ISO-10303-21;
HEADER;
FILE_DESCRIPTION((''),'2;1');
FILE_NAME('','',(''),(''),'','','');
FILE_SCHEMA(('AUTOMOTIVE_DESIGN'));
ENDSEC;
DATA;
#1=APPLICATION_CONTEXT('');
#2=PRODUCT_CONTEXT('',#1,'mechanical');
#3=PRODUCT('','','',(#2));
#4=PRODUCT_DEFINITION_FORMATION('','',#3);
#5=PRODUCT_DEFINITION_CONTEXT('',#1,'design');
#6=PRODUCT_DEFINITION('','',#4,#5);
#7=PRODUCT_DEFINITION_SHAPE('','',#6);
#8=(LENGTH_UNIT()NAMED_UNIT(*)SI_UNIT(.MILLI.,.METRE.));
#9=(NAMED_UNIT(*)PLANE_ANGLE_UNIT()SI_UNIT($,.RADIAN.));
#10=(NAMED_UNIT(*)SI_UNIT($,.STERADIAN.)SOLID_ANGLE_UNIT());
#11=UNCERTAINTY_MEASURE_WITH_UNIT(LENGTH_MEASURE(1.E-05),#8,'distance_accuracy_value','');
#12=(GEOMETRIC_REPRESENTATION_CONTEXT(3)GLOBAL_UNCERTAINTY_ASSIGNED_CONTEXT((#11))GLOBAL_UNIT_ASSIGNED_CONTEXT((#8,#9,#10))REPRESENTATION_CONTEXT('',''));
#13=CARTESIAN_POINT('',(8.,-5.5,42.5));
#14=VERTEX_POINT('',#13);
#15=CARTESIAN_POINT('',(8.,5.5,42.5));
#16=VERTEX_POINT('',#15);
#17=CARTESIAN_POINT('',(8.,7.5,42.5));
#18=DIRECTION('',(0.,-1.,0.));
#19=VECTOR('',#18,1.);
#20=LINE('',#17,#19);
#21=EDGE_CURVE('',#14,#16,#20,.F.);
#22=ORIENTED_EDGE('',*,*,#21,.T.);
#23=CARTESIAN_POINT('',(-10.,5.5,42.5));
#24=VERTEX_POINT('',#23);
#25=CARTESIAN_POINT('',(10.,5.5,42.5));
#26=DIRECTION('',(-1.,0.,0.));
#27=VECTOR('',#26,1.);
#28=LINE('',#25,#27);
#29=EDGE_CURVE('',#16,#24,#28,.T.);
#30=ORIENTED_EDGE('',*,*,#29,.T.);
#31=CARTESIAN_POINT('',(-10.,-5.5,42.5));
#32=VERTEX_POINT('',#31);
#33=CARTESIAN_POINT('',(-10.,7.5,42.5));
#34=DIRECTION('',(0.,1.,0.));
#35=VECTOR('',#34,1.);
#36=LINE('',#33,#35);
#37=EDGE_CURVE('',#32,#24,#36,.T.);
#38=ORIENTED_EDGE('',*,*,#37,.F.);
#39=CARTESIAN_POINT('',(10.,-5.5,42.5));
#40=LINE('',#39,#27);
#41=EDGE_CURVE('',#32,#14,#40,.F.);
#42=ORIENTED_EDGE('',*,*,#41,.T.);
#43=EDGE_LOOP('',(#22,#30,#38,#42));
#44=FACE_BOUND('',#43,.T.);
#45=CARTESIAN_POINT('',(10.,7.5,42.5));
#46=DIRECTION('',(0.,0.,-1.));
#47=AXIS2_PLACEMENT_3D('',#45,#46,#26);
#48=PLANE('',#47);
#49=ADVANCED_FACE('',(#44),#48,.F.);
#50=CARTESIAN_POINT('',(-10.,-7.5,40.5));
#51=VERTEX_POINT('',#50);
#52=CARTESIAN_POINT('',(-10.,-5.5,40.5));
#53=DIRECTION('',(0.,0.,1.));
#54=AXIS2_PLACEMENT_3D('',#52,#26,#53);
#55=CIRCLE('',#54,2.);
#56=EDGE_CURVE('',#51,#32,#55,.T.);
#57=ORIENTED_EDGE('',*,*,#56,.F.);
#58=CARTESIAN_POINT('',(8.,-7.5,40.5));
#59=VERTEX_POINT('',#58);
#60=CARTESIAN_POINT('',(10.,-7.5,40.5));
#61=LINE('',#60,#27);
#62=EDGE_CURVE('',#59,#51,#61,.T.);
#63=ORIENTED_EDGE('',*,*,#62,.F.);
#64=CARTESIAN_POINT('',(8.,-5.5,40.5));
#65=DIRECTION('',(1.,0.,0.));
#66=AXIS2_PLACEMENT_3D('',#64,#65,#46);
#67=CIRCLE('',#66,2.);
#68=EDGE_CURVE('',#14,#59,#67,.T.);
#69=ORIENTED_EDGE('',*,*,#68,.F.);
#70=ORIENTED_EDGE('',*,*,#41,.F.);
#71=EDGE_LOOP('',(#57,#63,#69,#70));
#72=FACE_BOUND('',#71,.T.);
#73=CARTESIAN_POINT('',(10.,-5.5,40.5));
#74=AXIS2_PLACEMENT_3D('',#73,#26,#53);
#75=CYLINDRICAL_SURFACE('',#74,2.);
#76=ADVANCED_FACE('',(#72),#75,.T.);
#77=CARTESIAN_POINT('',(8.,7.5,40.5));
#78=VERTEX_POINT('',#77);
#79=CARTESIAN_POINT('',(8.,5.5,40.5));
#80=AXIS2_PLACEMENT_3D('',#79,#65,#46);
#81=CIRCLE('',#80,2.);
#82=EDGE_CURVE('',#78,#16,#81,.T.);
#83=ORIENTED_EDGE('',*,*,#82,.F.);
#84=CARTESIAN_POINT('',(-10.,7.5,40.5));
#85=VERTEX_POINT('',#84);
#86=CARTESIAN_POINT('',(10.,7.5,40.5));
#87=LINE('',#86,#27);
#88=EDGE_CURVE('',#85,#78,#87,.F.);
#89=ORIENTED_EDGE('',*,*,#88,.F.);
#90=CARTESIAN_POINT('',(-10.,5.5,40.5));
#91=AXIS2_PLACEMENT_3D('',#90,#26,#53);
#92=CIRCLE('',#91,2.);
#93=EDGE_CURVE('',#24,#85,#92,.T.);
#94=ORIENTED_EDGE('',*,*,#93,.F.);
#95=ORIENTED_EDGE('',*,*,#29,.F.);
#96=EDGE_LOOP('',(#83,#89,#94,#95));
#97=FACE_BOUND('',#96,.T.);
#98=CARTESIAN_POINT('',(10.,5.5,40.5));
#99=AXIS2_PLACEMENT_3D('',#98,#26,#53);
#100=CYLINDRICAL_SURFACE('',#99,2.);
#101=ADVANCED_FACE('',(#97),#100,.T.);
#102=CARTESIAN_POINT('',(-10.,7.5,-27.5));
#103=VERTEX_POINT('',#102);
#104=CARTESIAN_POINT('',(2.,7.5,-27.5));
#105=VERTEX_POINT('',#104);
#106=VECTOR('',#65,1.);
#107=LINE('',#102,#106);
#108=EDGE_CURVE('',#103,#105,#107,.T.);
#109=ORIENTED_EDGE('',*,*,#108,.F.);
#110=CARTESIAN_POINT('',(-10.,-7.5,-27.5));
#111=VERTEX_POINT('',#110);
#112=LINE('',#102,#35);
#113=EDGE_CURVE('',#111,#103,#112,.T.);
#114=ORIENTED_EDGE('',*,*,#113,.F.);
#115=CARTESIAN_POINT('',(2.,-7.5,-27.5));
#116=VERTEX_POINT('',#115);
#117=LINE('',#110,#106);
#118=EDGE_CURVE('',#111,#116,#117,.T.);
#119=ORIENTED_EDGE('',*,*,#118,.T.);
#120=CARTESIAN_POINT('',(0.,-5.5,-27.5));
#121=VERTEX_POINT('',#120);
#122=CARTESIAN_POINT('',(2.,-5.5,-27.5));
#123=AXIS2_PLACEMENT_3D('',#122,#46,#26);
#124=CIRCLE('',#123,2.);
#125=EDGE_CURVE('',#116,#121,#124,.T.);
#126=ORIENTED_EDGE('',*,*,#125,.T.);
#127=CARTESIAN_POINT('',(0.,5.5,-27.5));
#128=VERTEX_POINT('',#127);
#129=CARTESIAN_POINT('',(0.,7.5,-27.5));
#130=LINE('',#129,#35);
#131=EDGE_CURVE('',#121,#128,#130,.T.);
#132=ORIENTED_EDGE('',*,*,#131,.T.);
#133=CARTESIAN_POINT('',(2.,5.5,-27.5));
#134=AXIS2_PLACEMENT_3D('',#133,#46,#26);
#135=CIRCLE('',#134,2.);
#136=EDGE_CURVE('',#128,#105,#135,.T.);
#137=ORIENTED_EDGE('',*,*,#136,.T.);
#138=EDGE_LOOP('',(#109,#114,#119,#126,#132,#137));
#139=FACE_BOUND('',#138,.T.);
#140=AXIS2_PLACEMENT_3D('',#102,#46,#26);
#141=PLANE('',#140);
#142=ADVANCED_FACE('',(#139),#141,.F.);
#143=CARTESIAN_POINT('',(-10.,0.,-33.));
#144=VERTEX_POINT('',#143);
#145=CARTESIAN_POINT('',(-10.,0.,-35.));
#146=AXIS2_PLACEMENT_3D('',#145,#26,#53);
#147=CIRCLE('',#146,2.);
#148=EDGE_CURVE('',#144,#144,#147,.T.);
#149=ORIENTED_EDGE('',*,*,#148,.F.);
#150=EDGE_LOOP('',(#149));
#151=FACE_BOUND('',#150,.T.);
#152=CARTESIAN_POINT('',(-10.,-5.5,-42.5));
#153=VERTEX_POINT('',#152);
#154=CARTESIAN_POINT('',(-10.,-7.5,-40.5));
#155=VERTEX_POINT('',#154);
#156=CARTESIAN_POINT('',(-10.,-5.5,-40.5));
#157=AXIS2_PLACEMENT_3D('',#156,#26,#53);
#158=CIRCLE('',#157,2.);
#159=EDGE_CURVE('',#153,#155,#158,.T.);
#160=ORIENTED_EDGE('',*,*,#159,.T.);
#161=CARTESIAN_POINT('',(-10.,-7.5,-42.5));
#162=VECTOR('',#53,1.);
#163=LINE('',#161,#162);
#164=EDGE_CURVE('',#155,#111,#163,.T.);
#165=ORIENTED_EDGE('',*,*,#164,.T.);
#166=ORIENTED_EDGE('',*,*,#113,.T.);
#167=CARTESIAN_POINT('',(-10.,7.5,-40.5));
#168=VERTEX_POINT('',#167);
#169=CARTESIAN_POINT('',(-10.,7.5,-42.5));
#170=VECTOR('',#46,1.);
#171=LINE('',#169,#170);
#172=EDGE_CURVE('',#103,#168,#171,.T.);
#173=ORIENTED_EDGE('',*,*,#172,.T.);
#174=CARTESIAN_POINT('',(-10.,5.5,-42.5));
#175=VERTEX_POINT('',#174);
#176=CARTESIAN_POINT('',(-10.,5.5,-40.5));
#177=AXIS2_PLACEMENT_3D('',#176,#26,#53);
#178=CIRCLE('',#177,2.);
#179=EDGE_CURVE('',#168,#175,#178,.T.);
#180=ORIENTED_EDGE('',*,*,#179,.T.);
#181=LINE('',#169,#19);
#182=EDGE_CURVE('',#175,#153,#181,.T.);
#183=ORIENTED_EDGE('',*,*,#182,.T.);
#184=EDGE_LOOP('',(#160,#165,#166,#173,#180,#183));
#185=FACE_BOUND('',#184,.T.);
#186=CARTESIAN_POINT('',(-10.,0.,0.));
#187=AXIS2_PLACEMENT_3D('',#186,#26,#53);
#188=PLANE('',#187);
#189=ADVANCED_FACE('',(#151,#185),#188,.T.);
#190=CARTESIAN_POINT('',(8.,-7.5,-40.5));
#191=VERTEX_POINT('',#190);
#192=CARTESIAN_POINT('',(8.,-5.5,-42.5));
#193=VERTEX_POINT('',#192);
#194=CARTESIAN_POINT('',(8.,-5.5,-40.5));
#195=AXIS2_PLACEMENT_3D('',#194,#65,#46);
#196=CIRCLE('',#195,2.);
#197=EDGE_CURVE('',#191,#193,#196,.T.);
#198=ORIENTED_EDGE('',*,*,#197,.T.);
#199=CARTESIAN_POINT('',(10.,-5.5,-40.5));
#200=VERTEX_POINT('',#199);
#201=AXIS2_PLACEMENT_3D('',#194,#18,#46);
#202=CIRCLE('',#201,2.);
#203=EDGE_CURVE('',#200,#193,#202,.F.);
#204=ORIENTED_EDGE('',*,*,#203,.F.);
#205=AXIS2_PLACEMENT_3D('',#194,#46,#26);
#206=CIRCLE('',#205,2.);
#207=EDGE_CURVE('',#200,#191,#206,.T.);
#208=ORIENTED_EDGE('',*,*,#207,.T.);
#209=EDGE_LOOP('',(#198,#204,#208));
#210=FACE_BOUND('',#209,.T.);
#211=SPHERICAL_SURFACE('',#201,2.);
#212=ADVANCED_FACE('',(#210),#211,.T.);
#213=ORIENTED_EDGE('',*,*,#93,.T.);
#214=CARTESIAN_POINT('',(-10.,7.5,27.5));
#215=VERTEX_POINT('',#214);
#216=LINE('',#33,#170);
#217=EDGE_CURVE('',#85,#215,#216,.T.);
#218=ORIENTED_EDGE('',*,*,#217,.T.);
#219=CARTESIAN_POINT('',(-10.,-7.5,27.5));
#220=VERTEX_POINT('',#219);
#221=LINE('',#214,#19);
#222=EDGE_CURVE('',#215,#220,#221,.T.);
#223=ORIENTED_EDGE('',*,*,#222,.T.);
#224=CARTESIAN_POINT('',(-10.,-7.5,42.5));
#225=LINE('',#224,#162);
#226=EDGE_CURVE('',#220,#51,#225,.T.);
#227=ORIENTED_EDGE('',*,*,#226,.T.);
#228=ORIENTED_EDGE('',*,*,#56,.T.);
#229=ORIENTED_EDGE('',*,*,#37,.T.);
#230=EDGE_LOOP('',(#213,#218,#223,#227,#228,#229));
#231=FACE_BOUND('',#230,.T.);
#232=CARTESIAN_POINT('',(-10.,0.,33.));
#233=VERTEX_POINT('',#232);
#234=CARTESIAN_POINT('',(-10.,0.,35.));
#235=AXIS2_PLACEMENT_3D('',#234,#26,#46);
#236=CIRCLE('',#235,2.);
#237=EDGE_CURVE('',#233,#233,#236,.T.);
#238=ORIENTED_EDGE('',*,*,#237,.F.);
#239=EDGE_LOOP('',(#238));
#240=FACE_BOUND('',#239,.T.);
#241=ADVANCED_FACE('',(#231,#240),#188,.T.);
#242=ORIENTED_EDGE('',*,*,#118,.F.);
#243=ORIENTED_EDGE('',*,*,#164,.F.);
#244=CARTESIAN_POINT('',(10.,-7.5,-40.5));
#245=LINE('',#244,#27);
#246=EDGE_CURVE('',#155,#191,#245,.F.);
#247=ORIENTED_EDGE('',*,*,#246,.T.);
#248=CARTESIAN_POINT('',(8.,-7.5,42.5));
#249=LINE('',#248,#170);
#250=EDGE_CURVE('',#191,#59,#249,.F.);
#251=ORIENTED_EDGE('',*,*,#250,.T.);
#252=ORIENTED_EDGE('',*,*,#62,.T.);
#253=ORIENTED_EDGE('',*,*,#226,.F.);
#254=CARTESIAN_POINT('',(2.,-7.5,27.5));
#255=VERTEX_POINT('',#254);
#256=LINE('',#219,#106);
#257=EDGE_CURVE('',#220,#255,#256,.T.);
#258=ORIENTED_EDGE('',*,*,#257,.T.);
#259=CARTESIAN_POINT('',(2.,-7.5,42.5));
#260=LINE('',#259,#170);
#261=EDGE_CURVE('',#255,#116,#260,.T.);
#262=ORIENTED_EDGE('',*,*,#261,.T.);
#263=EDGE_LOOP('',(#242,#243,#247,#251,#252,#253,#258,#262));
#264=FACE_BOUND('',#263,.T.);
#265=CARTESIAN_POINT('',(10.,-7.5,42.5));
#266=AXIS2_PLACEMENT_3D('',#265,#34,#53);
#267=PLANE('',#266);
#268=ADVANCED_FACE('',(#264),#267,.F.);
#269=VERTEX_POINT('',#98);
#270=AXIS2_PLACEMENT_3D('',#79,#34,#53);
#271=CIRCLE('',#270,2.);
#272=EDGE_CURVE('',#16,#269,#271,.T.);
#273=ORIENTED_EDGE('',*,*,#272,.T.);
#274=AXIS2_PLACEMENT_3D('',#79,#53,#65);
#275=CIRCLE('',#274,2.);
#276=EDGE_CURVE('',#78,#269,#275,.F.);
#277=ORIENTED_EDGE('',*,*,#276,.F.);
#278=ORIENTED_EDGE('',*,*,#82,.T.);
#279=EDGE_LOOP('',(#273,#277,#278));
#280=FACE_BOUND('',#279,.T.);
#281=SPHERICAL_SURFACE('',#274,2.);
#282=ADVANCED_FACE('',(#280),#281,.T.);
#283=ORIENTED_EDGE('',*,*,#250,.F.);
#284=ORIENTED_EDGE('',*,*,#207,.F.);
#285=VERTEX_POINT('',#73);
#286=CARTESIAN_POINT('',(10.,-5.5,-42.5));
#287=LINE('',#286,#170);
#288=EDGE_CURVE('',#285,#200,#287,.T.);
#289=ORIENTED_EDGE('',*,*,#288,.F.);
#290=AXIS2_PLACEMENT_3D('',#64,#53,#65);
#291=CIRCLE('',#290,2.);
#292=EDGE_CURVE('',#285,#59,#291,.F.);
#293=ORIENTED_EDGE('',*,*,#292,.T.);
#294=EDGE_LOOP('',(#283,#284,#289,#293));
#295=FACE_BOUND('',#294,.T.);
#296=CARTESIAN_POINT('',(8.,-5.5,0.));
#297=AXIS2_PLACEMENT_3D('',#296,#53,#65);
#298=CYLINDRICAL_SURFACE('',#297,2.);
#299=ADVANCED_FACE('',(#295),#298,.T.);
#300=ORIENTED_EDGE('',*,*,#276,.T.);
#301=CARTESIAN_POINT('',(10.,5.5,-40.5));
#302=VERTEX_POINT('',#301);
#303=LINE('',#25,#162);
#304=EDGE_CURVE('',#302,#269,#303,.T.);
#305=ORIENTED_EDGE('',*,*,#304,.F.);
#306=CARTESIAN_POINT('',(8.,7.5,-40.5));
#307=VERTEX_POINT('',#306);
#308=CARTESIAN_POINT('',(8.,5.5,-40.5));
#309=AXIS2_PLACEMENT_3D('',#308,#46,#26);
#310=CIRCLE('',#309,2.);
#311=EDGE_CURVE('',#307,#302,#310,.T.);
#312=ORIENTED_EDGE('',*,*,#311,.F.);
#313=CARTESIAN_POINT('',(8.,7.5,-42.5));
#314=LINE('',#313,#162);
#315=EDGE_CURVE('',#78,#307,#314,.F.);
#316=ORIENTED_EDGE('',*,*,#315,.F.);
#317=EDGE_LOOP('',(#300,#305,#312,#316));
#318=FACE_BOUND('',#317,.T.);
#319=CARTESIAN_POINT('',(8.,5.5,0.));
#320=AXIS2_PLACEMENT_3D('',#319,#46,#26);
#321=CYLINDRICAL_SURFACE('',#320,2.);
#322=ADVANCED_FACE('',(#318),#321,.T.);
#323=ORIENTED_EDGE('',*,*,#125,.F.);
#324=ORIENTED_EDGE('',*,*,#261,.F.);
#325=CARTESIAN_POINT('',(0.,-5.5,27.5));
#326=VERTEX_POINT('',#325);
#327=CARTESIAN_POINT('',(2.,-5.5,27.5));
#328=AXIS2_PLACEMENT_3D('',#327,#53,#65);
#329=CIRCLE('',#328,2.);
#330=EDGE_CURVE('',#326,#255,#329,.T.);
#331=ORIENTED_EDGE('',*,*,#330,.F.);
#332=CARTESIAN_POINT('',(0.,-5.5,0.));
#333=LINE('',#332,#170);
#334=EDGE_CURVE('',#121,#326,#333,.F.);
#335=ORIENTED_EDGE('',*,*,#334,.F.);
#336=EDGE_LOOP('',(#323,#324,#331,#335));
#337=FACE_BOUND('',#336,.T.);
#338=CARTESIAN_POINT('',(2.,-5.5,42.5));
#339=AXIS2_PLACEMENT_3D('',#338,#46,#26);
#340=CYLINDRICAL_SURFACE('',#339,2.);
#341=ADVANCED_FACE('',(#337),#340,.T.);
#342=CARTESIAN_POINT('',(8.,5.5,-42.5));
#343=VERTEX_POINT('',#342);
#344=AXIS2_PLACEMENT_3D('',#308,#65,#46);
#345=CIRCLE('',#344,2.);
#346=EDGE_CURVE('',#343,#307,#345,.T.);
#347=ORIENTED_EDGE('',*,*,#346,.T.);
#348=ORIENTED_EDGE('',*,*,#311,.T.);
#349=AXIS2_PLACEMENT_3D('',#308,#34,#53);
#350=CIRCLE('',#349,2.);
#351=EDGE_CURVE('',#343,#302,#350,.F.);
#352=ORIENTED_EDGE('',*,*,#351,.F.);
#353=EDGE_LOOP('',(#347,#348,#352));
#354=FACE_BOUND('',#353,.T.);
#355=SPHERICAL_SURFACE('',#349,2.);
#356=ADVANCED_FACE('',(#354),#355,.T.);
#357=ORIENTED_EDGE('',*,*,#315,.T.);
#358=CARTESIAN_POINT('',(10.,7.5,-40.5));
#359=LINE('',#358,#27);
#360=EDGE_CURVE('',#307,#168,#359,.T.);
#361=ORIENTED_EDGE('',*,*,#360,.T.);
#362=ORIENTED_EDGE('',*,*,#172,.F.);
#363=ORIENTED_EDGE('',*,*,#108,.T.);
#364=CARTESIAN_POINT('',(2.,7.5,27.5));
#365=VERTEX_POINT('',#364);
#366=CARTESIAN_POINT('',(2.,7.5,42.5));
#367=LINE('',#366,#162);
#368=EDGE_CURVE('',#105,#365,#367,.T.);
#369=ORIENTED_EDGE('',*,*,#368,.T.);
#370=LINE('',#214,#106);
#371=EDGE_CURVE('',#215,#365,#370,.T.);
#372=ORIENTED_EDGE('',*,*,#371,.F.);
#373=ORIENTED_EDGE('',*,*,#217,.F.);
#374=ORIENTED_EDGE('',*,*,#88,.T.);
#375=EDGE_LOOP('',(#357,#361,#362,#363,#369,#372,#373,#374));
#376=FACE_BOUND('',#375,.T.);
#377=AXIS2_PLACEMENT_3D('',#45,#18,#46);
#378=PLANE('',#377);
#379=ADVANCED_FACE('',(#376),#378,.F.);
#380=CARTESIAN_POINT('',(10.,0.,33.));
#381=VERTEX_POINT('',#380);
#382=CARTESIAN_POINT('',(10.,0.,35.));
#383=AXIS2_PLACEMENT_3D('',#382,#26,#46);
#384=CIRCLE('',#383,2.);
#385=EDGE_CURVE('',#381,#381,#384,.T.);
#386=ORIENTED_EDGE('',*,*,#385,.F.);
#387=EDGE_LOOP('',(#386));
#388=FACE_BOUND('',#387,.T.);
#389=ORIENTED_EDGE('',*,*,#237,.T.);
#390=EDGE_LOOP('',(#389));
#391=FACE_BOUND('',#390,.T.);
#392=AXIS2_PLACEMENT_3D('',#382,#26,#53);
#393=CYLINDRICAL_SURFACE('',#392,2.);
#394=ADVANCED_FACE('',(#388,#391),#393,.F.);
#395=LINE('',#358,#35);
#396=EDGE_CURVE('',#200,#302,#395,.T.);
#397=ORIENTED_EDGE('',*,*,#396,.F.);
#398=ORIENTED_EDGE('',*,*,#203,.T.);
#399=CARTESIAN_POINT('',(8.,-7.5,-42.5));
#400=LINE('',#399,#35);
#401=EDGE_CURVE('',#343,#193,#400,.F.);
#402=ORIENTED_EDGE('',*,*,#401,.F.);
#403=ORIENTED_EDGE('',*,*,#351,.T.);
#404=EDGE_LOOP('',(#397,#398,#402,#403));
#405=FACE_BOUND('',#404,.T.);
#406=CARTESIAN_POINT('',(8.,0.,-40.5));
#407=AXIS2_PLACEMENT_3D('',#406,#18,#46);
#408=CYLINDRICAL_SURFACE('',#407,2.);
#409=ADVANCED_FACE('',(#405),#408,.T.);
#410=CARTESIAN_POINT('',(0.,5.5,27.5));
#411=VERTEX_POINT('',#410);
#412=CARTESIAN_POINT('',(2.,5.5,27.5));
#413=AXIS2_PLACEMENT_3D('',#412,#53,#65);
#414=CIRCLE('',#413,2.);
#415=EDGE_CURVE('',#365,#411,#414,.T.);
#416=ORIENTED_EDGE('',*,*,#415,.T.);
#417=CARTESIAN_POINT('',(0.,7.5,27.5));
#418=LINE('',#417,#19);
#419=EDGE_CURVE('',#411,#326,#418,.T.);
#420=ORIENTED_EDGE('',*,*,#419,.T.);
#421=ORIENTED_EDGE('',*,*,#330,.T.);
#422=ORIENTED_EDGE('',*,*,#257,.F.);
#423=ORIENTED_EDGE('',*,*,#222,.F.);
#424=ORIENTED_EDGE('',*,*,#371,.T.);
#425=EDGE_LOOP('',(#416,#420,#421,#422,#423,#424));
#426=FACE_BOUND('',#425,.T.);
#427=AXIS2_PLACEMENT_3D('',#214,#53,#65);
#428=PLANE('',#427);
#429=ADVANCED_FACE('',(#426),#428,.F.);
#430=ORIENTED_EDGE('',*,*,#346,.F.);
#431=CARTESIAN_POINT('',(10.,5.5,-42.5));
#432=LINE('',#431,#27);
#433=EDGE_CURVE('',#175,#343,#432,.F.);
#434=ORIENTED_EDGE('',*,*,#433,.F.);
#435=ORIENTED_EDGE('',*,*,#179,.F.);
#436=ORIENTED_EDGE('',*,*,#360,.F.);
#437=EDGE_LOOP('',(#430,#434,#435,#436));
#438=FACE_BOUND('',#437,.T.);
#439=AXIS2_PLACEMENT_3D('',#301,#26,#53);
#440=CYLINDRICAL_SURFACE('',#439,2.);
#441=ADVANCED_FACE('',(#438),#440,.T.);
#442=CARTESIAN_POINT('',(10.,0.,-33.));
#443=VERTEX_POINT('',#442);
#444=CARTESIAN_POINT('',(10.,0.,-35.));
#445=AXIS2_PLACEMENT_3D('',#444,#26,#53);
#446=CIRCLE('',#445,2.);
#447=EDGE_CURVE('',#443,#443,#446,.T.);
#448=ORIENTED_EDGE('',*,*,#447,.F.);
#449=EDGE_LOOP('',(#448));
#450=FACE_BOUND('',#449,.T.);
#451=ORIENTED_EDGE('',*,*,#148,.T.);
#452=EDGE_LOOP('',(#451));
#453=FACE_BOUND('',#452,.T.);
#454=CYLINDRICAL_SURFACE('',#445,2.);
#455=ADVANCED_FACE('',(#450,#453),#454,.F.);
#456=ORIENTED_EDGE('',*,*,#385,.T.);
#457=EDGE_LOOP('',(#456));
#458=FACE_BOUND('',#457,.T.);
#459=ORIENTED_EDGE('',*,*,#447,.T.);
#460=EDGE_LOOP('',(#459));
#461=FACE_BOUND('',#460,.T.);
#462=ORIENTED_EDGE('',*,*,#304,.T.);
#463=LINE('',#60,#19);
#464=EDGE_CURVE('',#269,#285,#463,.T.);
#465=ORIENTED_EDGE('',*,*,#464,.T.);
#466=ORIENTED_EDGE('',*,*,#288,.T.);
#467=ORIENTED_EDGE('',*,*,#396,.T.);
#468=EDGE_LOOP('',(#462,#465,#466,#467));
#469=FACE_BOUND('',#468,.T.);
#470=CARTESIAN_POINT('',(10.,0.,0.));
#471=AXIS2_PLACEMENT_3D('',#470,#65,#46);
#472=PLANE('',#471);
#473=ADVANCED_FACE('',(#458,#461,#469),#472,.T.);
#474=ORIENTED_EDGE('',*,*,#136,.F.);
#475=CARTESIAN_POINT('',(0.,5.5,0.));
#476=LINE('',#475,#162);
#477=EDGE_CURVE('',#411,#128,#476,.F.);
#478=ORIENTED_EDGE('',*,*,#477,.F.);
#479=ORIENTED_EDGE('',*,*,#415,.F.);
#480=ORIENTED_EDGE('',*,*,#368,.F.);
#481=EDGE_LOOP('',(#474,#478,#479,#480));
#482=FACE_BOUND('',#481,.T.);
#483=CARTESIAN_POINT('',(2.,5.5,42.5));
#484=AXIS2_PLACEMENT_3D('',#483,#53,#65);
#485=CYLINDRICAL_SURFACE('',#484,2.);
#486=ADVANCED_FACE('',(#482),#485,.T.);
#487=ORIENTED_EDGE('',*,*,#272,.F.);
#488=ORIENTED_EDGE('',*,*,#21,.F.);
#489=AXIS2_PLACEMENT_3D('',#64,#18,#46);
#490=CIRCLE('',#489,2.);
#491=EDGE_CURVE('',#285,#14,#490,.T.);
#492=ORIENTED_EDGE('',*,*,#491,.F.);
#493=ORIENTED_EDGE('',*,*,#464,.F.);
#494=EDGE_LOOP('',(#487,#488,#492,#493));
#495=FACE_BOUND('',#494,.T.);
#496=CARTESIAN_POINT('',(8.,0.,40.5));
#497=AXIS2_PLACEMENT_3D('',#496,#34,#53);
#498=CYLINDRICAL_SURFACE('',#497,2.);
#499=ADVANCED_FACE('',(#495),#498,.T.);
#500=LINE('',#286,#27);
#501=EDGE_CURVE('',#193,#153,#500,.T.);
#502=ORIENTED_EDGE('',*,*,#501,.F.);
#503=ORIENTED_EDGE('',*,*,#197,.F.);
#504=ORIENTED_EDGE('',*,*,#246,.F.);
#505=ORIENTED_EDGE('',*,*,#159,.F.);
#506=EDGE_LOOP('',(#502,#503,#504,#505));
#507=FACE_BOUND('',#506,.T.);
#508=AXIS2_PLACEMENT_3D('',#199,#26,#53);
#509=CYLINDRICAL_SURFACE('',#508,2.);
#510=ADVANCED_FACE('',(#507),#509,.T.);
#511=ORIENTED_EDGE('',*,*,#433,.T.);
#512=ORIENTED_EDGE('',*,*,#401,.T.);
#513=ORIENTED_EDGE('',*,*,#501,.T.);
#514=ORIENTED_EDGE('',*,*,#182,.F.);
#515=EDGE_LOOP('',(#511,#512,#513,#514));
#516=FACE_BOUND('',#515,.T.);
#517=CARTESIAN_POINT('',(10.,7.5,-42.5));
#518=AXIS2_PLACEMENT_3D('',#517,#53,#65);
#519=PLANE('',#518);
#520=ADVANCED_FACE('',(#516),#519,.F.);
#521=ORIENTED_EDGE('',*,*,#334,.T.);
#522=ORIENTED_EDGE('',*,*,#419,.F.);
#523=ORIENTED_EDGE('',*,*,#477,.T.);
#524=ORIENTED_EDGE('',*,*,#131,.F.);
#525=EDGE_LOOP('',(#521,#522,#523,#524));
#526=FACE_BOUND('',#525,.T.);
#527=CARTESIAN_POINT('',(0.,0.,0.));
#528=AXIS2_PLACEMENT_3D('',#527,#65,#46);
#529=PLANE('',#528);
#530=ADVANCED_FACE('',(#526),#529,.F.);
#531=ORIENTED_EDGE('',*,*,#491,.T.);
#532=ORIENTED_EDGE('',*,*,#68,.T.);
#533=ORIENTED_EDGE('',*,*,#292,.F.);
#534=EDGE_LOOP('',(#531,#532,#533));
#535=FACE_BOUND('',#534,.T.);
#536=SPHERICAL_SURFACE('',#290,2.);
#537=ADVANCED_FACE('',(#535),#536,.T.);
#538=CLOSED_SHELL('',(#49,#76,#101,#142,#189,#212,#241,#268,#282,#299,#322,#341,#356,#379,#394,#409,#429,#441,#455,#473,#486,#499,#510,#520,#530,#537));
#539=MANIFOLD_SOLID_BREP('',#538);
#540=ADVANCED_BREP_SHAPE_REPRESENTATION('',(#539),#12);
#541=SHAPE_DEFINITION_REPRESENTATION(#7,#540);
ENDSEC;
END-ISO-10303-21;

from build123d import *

# Parameters (mm, degrees)
SKETCH1_W           = 85
SKETCH1_H           = 15
BOSS_EXTRUDE1_DEPTH = 10
SKETCH2_W           = 15
SKETCH2_H           = 15
BOSS_EXTRUDE2_DEPTH = 10
FILLET3_R           = 2
SKETCH3_R           = 2
CUT_EXTRUDE1_DEPTH  = 48.565743976


with BuildPart() as part:
    # Sketch1 → Boss-Extrude1 (new body)
    with BuildSketch(Plane(origin=(0, 0, 0), x_dir=(0, 0, -1), z_dir=(1, 0, 0))):
        Rectangle(SKETCH1_W, SKETCH1_H)
    extrude(amount=BOSS_EXTRUDE1_DEPTH)

    # Sketch2 → Boss-Extrude2 (add)
    with BuildSketch(Plane.ZY):
        with Locations((-35, 0)):
            Rectangle(SKETCH2_W, SKETCH2_H)
        with Locations((35, 0)):
            Rectangle(SKETCH2_W, SKETCH2_H)
    extrude(amount=BOSS_EXTRUDE2_DEPTH)

    # Fillet3
    fillet3_edges = [part.edges().sort_by_distance(p)[0] for p in [
        (10, 0, 42.5),
        (0, -7.5, 0),
        (0, 7.5, 0),
        (10, -7.5, 0),
        (10, 0, -42.5),
        (0, -7.5, -42.5),
        (0, -7.5, 42.5),
        (0, 7.5, 42.5),
        (0, 7.5, -42.5),
        (10, 7.5, 0),
    ]]
    fillet(fillet3_edges, radius=FILLET3_R)

    # Sketch3 → Cut-Extrude1 (cut, through all)
    with BuildSketch(Plane.ZY.offset(10)):
        with Locations((-35, 0)):
            Circle(SKETCH3_R)
        with Locations(Location((35, 0, 0), (0, 0, 180))):
            Circle(SKETCH3_R)
    extrude(amount=-CUT_EXTRUDE1_DEPTH, mode=Mode.SUBTRACT)


solid = part.part
